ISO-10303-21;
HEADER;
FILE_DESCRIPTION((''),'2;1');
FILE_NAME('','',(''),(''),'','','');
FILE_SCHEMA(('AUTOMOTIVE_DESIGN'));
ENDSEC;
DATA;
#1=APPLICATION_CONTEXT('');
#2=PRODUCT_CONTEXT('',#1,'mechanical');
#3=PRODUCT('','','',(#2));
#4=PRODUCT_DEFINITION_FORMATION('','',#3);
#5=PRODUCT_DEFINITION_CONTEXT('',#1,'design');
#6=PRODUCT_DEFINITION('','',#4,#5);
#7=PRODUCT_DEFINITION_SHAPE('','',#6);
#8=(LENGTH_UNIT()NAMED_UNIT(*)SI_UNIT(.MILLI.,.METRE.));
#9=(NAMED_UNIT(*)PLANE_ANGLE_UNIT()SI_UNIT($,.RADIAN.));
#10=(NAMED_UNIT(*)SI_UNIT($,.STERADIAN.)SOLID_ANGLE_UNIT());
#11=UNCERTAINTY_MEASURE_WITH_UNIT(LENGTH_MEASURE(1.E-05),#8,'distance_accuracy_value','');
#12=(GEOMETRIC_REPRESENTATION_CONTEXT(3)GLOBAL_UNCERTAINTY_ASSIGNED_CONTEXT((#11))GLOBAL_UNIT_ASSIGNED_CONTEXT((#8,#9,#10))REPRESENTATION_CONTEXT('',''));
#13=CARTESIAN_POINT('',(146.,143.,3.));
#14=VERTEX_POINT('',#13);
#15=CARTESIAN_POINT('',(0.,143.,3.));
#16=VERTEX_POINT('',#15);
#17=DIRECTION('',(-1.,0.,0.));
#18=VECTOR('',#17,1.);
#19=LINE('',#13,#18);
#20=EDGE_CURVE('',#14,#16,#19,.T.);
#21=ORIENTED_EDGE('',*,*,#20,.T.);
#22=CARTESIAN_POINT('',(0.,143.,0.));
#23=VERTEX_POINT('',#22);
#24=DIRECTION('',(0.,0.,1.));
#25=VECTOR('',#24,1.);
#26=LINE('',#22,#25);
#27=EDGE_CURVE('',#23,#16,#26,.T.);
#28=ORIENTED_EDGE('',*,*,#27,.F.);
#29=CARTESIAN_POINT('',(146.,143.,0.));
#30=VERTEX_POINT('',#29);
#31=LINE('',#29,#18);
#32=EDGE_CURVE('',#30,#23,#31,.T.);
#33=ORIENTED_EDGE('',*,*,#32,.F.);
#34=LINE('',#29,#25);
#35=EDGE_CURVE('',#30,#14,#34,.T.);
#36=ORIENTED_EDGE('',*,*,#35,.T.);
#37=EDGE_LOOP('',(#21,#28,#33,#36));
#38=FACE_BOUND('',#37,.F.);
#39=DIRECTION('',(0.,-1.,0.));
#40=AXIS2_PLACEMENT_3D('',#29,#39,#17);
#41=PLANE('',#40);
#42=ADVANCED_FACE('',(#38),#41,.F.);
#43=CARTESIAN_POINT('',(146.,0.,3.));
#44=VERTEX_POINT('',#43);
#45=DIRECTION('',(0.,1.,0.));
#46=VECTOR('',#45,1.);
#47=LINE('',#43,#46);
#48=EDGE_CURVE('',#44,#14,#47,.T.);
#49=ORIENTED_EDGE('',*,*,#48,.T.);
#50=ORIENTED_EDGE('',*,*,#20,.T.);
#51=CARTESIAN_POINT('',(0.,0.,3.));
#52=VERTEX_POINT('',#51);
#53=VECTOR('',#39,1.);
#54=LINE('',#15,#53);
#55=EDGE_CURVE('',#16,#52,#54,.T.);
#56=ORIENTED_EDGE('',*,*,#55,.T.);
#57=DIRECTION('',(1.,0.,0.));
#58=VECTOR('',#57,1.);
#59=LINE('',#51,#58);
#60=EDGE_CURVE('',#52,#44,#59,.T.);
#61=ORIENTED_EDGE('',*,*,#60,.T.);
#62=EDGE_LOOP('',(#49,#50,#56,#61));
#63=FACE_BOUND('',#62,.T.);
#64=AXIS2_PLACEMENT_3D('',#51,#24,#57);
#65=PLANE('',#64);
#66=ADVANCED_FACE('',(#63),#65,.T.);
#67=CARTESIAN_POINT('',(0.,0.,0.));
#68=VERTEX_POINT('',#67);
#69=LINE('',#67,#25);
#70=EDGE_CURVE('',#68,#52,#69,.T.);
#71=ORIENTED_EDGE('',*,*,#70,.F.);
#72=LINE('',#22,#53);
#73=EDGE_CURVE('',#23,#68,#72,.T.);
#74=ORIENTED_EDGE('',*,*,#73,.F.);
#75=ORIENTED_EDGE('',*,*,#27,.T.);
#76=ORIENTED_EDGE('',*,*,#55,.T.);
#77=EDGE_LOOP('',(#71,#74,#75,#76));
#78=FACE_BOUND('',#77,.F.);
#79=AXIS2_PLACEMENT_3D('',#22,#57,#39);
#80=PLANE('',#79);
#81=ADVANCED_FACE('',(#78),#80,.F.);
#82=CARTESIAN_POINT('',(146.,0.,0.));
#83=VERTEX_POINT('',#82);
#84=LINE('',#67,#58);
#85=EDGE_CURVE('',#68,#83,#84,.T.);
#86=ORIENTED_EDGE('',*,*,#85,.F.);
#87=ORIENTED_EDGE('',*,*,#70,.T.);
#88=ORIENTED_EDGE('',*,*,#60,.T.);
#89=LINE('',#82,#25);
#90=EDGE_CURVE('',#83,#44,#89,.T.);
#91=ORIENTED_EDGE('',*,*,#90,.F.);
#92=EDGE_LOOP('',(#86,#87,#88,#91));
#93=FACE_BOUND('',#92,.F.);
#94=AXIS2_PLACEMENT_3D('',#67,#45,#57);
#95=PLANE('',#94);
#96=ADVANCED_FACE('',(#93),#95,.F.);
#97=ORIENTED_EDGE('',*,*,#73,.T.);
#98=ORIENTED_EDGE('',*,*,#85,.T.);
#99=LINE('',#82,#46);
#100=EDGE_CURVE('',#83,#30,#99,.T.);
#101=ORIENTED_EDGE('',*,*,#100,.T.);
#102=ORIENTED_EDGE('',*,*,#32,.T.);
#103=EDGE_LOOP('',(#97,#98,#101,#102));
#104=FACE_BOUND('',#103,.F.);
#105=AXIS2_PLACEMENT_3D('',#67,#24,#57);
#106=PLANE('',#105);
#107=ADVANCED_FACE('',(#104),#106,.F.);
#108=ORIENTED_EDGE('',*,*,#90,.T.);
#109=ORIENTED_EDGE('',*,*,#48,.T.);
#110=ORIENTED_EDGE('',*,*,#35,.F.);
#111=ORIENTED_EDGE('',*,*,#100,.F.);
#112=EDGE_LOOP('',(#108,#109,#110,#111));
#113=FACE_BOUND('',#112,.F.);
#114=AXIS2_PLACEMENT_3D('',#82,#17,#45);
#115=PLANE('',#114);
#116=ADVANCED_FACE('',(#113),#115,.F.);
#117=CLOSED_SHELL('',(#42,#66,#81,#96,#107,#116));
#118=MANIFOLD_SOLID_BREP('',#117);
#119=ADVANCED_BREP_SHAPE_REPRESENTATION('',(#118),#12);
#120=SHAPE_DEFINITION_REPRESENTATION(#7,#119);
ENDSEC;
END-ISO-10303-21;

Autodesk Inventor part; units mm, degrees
ref_plane "YZ Plane" through (0, 0, 0) normal (1, 0, 0) x (0, 1, 0)
ref_plane "XZ Plane" through (0, 0, 0) normal (0, 1, 0) x (-1, 0, 0)
ref_plane "XY Plane" through (0, 0, 0) normal (0, 0, 1) x (1, 0, 0)
sketch "Sketch1" plane through (0, 0, 0) normal (0, 0, 1) x (1, 0, 0)
  line L0 (0, 0) -> (146, 0)
  line L1 (146, 0) -> (146, 143)
  line L2 (146, 143) -> (0, 143)
  line L3 (0, 143) -> (0, 0)
  dimension "d0" = 146
  dimension "d1" = 143
extrude "Extrusion1" add sketch "Sketch1" along normal blind 3
properties part number "plate_base" material "PET Plastic"
